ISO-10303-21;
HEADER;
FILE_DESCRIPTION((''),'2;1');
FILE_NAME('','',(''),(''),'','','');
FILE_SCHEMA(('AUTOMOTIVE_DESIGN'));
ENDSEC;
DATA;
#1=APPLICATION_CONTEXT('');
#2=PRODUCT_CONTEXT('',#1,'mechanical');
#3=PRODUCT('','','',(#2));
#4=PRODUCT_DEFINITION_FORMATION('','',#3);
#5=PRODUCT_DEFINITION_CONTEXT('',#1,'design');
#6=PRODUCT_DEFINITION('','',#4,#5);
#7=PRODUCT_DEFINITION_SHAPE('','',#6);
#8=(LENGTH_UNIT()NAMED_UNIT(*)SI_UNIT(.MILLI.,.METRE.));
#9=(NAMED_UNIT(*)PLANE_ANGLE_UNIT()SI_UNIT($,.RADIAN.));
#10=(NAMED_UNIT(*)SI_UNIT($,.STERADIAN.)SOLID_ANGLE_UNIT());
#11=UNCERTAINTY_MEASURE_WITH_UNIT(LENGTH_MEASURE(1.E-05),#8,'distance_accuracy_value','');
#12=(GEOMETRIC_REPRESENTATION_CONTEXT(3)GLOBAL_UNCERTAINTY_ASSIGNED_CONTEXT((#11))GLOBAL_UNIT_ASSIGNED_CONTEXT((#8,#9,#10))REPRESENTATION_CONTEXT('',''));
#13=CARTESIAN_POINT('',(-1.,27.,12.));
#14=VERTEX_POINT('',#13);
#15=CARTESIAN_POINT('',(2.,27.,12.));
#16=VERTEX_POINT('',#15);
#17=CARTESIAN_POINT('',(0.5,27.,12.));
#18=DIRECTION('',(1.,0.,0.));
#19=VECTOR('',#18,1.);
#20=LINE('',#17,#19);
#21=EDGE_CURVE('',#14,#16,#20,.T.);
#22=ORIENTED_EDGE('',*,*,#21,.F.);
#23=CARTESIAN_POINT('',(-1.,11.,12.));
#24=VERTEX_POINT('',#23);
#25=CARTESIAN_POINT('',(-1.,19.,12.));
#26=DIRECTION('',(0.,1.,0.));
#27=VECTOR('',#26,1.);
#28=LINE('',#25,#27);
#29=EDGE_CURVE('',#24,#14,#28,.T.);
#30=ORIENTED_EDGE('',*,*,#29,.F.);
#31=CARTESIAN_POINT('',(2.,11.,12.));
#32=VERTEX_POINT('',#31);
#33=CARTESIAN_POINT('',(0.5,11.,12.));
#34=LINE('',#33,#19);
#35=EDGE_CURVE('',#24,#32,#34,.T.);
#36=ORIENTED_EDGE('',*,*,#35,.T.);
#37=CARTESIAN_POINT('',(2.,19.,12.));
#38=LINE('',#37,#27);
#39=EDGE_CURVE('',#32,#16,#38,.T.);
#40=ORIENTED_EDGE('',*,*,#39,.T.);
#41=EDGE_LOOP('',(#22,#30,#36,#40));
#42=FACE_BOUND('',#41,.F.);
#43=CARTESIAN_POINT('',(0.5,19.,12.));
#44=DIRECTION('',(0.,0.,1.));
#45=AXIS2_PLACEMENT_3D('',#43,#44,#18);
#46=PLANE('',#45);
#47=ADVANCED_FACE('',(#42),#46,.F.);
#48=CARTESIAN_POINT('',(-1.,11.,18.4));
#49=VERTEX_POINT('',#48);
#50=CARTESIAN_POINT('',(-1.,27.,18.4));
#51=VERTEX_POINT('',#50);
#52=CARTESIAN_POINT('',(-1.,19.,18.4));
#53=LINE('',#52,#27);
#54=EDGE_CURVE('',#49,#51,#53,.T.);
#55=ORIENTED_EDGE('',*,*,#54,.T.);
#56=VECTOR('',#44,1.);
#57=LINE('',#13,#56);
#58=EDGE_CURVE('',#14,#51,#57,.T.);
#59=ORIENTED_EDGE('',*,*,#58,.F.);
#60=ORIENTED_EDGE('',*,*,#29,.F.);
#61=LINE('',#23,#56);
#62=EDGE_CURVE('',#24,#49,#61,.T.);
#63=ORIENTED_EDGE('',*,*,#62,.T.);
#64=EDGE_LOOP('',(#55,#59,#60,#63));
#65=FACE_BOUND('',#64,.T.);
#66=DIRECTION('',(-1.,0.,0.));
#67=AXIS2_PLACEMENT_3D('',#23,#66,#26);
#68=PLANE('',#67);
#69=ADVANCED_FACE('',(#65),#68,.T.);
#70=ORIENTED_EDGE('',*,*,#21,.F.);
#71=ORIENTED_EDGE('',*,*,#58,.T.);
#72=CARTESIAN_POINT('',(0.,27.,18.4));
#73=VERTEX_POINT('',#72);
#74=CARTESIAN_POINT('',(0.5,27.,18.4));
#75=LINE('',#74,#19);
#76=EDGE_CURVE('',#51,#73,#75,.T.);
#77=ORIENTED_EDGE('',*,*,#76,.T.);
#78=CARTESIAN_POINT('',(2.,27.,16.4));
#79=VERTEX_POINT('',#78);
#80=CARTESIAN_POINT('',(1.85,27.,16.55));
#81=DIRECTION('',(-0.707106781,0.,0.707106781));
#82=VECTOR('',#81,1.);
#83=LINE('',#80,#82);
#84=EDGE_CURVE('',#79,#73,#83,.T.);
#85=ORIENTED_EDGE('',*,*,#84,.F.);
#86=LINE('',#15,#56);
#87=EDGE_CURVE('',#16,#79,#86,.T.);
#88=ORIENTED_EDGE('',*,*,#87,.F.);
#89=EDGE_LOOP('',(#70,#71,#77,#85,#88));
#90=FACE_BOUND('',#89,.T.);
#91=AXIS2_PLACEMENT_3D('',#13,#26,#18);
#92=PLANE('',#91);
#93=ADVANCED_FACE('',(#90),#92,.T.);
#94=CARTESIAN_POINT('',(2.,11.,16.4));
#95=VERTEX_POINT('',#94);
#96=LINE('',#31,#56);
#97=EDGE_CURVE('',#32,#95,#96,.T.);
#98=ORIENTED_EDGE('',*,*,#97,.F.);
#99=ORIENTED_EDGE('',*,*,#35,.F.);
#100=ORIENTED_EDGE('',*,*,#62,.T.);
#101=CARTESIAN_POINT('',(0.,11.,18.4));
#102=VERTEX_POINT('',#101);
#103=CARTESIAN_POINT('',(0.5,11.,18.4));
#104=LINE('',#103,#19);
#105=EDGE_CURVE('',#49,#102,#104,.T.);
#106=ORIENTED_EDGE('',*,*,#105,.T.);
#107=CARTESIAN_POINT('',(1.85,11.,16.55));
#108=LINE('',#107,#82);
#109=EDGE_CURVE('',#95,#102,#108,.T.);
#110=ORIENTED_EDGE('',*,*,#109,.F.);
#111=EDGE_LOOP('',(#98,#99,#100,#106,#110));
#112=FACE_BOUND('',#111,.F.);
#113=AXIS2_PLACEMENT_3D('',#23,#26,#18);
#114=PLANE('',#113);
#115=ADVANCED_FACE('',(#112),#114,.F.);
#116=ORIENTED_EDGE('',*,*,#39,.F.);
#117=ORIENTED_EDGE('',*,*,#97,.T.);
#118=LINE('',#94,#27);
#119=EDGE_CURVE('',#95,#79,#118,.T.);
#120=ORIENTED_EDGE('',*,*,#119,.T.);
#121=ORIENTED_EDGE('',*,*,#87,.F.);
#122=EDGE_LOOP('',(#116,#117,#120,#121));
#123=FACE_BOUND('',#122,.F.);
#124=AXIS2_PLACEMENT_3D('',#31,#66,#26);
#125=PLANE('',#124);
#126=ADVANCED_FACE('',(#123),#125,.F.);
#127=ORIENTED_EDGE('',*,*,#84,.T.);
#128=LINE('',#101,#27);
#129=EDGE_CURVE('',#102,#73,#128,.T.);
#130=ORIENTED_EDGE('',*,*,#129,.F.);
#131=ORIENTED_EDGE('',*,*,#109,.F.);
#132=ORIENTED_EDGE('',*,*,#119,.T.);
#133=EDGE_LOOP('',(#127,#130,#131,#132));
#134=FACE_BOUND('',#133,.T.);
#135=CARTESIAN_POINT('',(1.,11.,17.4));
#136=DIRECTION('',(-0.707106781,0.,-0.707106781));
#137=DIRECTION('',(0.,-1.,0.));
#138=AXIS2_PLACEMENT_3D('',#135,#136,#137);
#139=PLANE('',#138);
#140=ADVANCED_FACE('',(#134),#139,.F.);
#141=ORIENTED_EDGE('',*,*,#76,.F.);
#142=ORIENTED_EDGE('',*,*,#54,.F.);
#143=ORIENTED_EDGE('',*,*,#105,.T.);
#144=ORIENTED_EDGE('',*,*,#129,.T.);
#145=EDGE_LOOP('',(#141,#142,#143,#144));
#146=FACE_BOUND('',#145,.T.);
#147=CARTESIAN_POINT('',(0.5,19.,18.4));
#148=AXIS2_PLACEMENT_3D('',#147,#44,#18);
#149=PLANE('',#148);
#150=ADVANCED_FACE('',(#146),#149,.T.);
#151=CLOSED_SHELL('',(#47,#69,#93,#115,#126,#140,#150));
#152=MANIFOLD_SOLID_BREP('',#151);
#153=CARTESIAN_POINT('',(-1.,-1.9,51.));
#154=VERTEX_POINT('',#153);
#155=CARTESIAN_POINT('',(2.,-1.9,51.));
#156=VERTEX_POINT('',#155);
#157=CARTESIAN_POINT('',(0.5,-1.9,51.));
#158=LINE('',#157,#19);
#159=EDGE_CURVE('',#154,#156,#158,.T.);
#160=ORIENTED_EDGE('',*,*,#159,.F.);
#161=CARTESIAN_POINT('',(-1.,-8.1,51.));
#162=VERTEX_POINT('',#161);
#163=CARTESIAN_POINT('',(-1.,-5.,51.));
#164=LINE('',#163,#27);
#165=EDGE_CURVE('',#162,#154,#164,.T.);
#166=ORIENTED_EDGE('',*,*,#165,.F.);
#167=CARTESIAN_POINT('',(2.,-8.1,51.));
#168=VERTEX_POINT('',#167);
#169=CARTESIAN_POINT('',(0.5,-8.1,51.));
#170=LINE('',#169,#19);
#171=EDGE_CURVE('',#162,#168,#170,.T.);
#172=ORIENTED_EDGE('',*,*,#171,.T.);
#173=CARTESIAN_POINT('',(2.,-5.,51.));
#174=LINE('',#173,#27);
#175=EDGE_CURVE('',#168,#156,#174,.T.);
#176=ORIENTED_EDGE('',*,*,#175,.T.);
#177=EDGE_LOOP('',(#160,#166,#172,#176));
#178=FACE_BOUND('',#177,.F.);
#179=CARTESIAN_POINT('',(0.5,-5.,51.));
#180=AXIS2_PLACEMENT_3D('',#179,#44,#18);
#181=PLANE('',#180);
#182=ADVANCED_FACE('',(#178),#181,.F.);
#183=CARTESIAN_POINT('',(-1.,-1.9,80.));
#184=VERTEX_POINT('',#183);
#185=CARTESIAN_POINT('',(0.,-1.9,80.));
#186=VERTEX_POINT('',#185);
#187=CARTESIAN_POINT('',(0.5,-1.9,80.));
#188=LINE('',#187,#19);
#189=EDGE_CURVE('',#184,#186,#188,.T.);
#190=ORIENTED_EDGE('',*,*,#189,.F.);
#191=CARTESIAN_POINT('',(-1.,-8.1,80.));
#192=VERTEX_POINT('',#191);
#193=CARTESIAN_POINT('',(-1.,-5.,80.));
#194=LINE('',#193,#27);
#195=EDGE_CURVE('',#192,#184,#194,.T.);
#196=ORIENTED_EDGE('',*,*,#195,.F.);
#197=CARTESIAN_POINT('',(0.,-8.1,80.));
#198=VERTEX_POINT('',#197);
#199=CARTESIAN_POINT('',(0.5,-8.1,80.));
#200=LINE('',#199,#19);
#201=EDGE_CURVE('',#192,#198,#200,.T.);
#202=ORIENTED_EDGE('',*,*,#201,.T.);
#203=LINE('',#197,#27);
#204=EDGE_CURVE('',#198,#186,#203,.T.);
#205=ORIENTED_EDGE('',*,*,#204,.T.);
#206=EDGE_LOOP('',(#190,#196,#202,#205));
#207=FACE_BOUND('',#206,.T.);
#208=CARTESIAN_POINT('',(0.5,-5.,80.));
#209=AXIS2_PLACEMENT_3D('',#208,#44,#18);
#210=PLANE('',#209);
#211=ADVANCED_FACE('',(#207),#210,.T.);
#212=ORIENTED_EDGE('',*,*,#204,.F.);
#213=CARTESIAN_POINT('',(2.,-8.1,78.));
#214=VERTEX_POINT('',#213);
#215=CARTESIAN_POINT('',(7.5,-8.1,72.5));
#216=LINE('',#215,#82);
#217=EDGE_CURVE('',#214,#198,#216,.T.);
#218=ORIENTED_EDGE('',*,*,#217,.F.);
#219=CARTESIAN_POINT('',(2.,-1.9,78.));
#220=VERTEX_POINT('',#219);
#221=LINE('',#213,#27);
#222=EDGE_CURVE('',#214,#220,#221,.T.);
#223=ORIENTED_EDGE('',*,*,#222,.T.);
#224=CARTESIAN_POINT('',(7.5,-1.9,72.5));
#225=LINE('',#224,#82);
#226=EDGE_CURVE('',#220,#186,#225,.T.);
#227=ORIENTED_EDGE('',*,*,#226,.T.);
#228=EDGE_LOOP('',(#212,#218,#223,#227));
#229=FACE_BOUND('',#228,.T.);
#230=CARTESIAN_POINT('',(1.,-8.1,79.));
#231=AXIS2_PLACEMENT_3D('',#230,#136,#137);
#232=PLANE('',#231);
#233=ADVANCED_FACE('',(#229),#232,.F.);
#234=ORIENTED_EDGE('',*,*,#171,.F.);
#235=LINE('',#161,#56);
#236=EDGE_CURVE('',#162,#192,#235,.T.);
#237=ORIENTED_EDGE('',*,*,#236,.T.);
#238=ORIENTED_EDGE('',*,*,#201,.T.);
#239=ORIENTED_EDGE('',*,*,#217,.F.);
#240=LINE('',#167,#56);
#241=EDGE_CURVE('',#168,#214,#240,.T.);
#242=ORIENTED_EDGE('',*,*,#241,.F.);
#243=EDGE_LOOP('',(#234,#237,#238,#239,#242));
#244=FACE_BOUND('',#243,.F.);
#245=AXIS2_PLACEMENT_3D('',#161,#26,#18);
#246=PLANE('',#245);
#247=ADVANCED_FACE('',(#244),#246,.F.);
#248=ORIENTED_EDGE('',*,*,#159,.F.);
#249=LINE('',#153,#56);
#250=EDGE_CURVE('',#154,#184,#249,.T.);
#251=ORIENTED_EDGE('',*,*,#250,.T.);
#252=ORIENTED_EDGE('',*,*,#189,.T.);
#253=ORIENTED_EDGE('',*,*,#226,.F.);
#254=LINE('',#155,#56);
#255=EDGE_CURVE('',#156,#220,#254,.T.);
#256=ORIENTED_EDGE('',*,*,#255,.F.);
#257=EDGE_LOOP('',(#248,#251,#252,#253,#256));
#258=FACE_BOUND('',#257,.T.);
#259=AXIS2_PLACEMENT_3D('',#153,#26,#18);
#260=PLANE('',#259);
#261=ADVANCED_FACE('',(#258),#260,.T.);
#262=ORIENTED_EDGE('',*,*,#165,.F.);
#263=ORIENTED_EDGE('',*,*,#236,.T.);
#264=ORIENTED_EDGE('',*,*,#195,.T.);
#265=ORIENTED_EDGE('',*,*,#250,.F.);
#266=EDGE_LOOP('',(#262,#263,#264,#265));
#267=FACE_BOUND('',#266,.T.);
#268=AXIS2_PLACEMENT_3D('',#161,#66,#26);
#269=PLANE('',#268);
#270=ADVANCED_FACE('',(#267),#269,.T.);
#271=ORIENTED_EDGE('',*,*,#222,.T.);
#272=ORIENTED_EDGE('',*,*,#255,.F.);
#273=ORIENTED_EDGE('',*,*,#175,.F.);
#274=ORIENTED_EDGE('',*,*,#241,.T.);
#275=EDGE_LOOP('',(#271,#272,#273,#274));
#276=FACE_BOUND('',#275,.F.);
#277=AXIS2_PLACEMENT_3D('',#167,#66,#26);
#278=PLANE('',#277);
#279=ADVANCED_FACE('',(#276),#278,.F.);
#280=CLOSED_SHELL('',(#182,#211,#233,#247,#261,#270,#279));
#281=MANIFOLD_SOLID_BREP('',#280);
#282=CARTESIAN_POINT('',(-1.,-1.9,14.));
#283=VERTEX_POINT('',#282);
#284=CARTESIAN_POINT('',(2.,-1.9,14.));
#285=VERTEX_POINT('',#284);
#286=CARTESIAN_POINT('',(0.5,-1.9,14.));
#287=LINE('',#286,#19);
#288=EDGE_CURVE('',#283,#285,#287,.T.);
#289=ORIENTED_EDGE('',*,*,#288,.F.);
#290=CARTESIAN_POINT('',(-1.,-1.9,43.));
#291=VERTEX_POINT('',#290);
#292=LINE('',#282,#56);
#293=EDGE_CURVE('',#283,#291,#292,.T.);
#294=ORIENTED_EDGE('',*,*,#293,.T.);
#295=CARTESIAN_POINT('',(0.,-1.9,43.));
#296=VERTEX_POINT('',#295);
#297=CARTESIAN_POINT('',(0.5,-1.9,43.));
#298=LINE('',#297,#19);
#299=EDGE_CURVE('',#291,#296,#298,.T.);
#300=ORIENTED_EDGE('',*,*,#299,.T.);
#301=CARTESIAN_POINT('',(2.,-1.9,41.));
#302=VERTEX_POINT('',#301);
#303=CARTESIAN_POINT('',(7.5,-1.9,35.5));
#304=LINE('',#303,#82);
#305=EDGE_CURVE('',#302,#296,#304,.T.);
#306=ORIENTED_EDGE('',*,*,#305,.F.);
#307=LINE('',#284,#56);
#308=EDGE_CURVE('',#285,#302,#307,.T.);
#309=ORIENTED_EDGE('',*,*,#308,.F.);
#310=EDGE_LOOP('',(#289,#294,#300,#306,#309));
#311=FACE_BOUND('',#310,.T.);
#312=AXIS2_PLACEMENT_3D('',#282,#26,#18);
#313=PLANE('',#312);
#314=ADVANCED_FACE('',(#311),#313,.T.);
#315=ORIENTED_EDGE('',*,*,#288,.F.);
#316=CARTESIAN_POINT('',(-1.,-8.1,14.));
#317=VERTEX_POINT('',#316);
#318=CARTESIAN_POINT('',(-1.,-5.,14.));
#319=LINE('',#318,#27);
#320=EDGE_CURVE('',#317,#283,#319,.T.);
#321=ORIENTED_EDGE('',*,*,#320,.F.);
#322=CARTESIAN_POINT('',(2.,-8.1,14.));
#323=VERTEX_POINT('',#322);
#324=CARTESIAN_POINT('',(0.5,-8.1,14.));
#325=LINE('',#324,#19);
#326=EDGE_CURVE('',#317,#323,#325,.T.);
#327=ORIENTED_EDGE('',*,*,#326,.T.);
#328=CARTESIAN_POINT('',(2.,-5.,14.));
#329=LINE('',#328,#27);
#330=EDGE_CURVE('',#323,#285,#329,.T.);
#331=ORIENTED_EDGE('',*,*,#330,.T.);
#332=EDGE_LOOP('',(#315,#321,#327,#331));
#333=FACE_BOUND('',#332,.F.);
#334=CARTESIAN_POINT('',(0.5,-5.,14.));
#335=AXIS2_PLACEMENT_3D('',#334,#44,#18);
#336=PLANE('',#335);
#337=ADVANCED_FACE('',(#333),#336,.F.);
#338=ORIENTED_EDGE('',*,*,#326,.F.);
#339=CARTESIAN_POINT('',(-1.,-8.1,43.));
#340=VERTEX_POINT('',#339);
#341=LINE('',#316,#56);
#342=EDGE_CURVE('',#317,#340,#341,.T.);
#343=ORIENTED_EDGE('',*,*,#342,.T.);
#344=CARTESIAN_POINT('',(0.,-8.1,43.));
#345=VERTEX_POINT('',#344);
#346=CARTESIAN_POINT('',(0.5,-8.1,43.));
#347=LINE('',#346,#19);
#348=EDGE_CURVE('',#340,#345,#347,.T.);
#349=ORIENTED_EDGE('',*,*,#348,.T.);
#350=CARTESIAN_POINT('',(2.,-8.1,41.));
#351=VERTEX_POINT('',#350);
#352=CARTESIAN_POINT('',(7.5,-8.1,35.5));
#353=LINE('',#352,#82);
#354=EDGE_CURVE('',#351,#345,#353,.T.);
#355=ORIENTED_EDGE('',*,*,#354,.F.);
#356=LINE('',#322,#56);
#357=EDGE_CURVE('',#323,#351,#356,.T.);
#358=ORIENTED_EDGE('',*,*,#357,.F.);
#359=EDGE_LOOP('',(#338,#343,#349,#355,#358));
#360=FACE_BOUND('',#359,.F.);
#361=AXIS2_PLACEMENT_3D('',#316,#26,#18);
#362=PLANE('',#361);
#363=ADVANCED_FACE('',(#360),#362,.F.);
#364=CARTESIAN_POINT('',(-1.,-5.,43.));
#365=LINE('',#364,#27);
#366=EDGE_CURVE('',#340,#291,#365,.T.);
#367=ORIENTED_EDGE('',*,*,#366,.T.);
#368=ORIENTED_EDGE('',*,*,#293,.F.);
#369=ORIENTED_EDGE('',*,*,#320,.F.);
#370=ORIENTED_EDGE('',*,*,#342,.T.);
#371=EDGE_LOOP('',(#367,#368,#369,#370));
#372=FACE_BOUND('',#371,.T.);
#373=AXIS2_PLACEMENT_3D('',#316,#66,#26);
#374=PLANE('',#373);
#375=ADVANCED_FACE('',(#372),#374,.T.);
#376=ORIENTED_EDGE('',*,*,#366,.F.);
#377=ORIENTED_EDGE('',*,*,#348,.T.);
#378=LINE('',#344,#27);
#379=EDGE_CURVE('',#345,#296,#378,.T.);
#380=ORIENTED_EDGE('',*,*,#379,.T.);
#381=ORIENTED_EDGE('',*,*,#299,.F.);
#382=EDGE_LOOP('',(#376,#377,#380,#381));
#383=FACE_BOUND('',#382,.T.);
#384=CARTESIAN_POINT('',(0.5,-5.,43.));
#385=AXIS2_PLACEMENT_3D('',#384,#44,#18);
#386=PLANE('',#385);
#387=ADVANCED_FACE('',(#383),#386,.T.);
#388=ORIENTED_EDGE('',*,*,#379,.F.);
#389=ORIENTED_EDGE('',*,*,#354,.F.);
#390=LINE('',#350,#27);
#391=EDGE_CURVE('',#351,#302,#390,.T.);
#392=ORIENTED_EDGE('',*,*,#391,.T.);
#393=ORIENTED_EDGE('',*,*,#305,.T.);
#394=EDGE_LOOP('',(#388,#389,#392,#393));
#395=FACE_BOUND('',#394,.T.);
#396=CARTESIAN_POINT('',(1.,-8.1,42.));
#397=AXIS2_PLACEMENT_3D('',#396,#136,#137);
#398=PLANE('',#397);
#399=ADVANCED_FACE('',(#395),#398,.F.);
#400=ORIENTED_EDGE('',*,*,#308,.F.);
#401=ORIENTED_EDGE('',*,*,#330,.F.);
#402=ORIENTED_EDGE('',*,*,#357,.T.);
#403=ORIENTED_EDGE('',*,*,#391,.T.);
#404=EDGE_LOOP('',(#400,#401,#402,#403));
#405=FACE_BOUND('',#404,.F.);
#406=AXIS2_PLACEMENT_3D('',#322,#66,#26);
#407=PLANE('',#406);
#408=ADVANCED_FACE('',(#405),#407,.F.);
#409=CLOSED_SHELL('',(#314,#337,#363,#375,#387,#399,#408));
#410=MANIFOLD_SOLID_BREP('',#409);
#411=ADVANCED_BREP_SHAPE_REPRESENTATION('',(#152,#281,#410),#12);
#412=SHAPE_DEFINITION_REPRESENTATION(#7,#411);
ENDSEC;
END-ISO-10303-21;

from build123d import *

# Parameters (mm, degrees)
BOX002_W        = 3
BOX002_H        = 6.2
BOX002_DEPTH    = 29
CHAMFER007_SIZE = 2
BOX004_W        = 3
BOX004_H        = 16
BOX004_DEPTH    = 6.4
CHAMFER_SIZE    = 2
BOX003_W        = 3
BOX003_H        = 6.2
BOX003_DEPTH    = 29
CHAMFER008_SIZE = 2


with BuildPart() as chamfer007:
    # Box002 → Box002 (new body)
    with BuildSketch(Plane(origin=(-1, -8.1, 14), x_dir=(1, 0, 0), z_dir=(0, 0, 1))):
        with Locations((1.5, 3.1)):
            Rectangle(BOX002_W, BOX002_H)
    extrude(amount=BOX002_DEPTH)

    # Chamfer007
    chamfer007_edges = [chamfer007.edges().sort_by_distance(p)[0] for p in [
        (2, -5, 43),
    ]]
    chamfer(chamfer007_edges, length=CHAMFER007_SIZE)


with BuildPart() as chamfer_body:
    # Box004 → Box004 (new body)
    with BuildSketch(Plane(origin=(-1, 11, 12), x_dir=(1, 0, 0), z_dir=(0, 0, 1))):
        with Locations((1.5, 8)):
            Rectangle(BOX004_W, BOX004_H)
    extrude(amount=BOX004_DEPTH)

    # Chamfer
    chamfer_edges = [chamfer_body.edges().sort_by_distance(p)[0] for p in [
        (2, 19, 18.4),
    ]]
    chamfer(chamfer_edges, length=CHAMFER_SIZE)


with BuildPart() as fusion005:
    # Box003 → Box003 (new body)
    with BuildSketch(Plane(origin=(-1, -8.1, 51), x_dir=(1, 0, 0), z_dir=(0, 0, 1))):
        with Locations((1.5, 3.1)):
            Rectangle(BOX003_W, BOX003_H)
    extrude(amount=BOX003_DEPTH)

    # Chamfer008
    chamfer008_edges = [fusion005.edges().sort_by_distance(p)[0] for p in [
        (2, -5, 80),
    ]]
    chamfer(chamfer008_edges, length=CHAMFER008_SIZE)

    # Fusion005: union Chamfer007, Chamfer body
    add(chamfer007.part)
    add(chamfer_body.part)


solid = fusion005.part
